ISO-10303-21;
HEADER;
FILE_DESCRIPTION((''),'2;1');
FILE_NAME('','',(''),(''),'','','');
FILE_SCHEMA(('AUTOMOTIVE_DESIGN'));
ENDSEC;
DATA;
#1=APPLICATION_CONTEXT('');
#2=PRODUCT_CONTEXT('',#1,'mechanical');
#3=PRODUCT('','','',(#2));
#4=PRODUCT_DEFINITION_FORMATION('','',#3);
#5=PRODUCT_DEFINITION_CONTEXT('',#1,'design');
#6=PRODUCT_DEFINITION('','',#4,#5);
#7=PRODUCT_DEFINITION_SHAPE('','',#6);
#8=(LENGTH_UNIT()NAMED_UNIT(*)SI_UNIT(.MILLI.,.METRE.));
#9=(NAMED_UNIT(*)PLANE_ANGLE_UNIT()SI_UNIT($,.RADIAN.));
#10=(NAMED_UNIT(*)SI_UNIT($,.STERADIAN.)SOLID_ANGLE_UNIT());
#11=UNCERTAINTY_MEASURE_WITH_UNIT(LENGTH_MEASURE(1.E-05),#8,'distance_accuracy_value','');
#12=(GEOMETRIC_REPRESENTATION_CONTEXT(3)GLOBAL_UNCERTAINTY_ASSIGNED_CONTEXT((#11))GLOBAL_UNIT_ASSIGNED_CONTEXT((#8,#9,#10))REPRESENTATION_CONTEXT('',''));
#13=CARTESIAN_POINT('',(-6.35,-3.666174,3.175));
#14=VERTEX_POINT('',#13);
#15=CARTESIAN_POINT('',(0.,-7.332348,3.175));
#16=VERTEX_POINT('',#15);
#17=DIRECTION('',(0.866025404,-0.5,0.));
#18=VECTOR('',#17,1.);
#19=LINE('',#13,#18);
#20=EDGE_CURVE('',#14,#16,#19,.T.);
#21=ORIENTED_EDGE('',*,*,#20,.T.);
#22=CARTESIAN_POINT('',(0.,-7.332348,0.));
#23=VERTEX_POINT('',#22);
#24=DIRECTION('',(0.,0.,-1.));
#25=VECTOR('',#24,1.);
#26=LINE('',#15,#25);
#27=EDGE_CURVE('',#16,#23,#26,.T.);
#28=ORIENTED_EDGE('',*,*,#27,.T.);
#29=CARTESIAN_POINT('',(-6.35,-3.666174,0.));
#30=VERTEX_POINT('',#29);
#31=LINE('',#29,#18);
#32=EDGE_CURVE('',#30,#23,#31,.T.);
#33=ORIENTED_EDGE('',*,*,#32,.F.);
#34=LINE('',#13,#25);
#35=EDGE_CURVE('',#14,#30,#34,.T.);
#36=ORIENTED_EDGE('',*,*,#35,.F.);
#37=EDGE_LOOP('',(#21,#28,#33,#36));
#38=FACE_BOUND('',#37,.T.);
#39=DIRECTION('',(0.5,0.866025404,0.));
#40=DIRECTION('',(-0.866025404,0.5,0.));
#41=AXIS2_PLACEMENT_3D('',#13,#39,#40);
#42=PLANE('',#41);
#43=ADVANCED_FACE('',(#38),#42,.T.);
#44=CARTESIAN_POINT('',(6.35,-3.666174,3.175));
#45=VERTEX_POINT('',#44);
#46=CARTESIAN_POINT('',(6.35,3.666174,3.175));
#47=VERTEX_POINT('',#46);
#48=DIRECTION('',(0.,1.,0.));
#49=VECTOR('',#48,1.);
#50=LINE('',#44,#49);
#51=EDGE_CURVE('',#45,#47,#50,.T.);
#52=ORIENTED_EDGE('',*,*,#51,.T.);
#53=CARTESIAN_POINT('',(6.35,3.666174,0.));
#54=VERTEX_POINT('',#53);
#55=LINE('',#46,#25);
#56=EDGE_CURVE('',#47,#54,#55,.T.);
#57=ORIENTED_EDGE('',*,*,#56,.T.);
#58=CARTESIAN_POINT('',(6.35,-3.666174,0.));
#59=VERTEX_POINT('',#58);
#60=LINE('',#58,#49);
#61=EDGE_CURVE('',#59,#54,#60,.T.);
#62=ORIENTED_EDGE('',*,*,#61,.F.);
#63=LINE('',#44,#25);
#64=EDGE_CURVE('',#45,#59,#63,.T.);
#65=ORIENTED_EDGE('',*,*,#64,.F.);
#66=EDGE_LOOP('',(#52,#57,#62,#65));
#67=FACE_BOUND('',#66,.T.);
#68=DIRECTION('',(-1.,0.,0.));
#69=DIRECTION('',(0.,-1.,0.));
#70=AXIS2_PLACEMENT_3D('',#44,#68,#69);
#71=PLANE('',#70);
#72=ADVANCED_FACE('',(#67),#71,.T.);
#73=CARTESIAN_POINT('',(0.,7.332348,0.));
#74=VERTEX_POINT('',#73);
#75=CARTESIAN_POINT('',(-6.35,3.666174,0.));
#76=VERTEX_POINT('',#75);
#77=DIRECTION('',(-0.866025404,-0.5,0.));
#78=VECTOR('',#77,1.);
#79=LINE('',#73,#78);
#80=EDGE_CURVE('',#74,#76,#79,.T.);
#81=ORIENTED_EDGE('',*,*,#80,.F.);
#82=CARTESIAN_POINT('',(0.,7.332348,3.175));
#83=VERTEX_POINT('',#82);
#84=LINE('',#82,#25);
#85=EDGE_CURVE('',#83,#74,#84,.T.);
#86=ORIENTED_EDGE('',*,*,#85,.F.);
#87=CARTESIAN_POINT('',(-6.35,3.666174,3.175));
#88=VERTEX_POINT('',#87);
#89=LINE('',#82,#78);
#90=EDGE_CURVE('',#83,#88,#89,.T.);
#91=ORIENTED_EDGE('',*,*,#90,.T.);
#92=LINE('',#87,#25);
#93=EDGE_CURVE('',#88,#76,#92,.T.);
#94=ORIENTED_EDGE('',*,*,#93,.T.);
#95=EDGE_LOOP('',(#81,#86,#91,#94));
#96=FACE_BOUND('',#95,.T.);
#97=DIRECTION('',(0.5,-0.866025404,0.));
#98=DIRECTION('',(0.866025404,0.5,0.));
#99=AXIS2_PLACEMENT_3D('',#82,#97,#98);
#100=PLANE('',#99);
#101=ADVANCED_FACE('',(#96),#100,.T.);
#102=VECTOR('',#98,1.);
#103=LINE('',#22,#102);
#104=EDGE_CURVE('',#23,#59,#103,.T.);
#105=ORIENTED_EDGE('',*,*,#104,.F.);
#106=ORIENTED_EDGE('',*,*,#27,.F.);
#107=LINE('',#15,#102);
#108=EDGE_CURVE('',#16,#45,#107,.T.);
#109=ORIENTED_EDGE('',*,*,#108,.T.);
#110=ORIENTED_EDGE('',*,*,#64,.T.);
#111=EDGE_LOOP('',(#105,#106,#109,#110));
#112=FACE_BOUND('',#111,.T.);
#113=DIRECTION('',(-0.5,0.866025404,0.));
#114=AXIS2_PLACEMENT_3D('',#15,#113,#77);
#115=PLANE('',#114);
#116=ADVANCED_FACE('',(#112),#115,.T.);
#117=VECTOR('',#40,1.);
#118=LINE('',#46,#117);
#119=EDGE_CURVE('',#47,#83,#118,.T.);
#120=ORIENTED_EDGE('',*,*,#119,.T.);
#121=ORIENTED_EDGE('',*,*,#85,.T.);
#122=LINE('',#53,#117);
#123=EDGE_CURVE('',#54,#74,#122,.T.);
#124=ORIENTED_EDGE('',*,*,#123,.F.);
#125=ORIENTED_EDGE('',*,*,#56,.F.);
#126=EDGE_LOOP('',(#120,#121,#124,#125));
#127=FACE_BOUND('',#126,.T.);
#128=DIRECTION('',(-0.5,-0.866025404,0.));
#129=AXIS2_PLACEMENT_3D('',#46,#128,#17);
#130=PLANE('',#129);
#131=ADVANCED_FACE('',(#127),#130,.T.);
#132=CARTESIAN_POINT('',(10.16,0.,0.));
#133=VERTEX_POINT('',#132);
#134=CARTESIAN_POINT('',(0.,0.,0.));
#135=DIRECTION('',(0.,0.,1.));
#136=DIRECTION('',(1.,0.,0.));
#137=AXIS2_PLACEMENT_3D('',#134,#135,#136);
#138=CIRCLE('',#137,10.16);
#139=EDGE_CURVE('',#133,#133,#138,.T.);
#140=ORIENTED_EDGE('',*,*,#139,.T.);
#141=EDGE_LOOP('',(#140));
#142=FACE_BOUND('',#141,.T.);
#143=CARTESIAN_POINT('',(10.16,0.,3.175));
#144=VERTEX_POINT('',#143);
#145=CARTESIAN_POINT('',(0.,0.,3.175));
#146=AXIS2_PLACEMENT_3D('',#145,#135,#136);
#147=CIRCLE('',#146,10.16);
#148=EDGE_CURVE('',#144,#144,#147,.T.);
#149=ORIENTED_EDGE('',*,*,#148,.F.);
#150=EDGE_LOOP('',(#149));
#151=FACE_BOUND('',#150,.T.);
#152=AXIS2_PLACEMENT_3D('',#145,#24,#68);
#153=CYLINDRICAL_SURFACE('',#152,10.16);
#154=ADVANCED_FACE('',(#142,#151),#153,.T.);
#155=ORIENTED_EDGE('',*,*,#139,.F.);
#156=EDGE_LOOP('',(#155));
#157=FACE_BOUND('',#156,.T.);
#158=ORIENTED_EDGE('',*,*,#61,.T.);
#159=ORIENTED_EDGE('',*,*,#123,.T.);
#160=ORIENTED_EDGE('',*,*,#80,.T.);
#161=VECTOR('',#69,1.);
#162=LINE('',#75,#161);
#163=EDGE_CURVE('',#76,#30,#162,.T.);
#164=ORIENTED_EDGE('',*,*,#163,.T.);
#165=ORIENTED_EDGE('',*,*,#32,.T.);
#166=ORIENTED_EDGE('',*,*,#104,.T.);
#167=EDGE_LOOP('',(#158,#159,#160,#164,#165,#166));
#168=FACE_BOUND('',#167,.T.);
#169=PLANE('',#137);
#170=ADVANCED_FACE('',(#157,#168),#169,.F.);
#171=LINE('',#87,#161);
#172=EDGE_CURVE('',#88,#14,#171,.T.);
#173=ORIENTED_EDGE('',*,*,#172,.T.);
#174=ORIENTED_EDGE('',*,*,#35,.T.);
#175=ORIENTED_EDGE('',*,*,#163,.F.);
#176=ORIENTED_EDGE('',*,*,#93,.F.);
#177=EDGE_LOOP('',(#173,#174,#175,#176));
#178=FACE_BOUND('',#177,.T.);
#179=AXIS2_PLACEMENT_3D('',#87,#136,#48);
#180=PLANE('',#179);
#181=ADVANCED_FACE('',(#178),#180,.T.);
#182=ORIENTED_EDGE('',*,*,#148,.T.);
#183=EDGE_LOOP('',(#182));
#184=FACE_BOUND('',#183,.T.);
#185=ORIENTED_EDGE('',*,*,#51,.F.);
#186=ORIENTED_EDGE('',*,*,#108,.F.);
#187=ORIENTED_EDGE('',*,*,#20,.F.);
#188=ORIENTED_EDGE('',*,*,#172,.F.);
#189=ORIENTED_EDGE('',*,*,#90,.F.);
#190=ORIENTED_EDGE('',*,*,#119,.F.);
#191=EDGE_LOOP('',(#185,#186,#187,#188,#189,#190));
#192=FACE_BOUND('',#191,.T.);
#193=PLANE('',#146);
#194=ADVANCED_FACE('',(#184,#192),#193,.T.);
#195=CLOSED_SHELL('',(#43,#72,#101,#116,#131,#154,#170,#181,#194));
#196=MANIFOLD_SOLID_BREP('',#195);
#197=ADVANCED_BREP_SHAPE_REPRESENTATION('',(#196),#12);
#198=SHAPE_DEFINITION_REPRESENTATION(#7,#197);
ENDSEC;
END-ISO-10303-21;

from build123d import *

# Parameters (mm, degrees)
SKETCH1_R           = 10.16
BOSS_EXTRUDE1_DEPTH = 3.175


with BuildPart() as part:
    # Sketch1 → Boss-Extrude1 (new body)
    with BuildSketch(Plane.XY):
        Circle(SKETCH1_R)
        Polygon((0, 7.332348419), (-6.35, 3.666174209), (-6.35, -3.666174209), (0, -7.332348419), (6.35, -3.666174209), (6.35, 3.666174209), align=None, mode=Mode.SUBTRACT)
    extrude(amount=BOSS_EXTRUDE1_DEPTH)


solid = part.part
